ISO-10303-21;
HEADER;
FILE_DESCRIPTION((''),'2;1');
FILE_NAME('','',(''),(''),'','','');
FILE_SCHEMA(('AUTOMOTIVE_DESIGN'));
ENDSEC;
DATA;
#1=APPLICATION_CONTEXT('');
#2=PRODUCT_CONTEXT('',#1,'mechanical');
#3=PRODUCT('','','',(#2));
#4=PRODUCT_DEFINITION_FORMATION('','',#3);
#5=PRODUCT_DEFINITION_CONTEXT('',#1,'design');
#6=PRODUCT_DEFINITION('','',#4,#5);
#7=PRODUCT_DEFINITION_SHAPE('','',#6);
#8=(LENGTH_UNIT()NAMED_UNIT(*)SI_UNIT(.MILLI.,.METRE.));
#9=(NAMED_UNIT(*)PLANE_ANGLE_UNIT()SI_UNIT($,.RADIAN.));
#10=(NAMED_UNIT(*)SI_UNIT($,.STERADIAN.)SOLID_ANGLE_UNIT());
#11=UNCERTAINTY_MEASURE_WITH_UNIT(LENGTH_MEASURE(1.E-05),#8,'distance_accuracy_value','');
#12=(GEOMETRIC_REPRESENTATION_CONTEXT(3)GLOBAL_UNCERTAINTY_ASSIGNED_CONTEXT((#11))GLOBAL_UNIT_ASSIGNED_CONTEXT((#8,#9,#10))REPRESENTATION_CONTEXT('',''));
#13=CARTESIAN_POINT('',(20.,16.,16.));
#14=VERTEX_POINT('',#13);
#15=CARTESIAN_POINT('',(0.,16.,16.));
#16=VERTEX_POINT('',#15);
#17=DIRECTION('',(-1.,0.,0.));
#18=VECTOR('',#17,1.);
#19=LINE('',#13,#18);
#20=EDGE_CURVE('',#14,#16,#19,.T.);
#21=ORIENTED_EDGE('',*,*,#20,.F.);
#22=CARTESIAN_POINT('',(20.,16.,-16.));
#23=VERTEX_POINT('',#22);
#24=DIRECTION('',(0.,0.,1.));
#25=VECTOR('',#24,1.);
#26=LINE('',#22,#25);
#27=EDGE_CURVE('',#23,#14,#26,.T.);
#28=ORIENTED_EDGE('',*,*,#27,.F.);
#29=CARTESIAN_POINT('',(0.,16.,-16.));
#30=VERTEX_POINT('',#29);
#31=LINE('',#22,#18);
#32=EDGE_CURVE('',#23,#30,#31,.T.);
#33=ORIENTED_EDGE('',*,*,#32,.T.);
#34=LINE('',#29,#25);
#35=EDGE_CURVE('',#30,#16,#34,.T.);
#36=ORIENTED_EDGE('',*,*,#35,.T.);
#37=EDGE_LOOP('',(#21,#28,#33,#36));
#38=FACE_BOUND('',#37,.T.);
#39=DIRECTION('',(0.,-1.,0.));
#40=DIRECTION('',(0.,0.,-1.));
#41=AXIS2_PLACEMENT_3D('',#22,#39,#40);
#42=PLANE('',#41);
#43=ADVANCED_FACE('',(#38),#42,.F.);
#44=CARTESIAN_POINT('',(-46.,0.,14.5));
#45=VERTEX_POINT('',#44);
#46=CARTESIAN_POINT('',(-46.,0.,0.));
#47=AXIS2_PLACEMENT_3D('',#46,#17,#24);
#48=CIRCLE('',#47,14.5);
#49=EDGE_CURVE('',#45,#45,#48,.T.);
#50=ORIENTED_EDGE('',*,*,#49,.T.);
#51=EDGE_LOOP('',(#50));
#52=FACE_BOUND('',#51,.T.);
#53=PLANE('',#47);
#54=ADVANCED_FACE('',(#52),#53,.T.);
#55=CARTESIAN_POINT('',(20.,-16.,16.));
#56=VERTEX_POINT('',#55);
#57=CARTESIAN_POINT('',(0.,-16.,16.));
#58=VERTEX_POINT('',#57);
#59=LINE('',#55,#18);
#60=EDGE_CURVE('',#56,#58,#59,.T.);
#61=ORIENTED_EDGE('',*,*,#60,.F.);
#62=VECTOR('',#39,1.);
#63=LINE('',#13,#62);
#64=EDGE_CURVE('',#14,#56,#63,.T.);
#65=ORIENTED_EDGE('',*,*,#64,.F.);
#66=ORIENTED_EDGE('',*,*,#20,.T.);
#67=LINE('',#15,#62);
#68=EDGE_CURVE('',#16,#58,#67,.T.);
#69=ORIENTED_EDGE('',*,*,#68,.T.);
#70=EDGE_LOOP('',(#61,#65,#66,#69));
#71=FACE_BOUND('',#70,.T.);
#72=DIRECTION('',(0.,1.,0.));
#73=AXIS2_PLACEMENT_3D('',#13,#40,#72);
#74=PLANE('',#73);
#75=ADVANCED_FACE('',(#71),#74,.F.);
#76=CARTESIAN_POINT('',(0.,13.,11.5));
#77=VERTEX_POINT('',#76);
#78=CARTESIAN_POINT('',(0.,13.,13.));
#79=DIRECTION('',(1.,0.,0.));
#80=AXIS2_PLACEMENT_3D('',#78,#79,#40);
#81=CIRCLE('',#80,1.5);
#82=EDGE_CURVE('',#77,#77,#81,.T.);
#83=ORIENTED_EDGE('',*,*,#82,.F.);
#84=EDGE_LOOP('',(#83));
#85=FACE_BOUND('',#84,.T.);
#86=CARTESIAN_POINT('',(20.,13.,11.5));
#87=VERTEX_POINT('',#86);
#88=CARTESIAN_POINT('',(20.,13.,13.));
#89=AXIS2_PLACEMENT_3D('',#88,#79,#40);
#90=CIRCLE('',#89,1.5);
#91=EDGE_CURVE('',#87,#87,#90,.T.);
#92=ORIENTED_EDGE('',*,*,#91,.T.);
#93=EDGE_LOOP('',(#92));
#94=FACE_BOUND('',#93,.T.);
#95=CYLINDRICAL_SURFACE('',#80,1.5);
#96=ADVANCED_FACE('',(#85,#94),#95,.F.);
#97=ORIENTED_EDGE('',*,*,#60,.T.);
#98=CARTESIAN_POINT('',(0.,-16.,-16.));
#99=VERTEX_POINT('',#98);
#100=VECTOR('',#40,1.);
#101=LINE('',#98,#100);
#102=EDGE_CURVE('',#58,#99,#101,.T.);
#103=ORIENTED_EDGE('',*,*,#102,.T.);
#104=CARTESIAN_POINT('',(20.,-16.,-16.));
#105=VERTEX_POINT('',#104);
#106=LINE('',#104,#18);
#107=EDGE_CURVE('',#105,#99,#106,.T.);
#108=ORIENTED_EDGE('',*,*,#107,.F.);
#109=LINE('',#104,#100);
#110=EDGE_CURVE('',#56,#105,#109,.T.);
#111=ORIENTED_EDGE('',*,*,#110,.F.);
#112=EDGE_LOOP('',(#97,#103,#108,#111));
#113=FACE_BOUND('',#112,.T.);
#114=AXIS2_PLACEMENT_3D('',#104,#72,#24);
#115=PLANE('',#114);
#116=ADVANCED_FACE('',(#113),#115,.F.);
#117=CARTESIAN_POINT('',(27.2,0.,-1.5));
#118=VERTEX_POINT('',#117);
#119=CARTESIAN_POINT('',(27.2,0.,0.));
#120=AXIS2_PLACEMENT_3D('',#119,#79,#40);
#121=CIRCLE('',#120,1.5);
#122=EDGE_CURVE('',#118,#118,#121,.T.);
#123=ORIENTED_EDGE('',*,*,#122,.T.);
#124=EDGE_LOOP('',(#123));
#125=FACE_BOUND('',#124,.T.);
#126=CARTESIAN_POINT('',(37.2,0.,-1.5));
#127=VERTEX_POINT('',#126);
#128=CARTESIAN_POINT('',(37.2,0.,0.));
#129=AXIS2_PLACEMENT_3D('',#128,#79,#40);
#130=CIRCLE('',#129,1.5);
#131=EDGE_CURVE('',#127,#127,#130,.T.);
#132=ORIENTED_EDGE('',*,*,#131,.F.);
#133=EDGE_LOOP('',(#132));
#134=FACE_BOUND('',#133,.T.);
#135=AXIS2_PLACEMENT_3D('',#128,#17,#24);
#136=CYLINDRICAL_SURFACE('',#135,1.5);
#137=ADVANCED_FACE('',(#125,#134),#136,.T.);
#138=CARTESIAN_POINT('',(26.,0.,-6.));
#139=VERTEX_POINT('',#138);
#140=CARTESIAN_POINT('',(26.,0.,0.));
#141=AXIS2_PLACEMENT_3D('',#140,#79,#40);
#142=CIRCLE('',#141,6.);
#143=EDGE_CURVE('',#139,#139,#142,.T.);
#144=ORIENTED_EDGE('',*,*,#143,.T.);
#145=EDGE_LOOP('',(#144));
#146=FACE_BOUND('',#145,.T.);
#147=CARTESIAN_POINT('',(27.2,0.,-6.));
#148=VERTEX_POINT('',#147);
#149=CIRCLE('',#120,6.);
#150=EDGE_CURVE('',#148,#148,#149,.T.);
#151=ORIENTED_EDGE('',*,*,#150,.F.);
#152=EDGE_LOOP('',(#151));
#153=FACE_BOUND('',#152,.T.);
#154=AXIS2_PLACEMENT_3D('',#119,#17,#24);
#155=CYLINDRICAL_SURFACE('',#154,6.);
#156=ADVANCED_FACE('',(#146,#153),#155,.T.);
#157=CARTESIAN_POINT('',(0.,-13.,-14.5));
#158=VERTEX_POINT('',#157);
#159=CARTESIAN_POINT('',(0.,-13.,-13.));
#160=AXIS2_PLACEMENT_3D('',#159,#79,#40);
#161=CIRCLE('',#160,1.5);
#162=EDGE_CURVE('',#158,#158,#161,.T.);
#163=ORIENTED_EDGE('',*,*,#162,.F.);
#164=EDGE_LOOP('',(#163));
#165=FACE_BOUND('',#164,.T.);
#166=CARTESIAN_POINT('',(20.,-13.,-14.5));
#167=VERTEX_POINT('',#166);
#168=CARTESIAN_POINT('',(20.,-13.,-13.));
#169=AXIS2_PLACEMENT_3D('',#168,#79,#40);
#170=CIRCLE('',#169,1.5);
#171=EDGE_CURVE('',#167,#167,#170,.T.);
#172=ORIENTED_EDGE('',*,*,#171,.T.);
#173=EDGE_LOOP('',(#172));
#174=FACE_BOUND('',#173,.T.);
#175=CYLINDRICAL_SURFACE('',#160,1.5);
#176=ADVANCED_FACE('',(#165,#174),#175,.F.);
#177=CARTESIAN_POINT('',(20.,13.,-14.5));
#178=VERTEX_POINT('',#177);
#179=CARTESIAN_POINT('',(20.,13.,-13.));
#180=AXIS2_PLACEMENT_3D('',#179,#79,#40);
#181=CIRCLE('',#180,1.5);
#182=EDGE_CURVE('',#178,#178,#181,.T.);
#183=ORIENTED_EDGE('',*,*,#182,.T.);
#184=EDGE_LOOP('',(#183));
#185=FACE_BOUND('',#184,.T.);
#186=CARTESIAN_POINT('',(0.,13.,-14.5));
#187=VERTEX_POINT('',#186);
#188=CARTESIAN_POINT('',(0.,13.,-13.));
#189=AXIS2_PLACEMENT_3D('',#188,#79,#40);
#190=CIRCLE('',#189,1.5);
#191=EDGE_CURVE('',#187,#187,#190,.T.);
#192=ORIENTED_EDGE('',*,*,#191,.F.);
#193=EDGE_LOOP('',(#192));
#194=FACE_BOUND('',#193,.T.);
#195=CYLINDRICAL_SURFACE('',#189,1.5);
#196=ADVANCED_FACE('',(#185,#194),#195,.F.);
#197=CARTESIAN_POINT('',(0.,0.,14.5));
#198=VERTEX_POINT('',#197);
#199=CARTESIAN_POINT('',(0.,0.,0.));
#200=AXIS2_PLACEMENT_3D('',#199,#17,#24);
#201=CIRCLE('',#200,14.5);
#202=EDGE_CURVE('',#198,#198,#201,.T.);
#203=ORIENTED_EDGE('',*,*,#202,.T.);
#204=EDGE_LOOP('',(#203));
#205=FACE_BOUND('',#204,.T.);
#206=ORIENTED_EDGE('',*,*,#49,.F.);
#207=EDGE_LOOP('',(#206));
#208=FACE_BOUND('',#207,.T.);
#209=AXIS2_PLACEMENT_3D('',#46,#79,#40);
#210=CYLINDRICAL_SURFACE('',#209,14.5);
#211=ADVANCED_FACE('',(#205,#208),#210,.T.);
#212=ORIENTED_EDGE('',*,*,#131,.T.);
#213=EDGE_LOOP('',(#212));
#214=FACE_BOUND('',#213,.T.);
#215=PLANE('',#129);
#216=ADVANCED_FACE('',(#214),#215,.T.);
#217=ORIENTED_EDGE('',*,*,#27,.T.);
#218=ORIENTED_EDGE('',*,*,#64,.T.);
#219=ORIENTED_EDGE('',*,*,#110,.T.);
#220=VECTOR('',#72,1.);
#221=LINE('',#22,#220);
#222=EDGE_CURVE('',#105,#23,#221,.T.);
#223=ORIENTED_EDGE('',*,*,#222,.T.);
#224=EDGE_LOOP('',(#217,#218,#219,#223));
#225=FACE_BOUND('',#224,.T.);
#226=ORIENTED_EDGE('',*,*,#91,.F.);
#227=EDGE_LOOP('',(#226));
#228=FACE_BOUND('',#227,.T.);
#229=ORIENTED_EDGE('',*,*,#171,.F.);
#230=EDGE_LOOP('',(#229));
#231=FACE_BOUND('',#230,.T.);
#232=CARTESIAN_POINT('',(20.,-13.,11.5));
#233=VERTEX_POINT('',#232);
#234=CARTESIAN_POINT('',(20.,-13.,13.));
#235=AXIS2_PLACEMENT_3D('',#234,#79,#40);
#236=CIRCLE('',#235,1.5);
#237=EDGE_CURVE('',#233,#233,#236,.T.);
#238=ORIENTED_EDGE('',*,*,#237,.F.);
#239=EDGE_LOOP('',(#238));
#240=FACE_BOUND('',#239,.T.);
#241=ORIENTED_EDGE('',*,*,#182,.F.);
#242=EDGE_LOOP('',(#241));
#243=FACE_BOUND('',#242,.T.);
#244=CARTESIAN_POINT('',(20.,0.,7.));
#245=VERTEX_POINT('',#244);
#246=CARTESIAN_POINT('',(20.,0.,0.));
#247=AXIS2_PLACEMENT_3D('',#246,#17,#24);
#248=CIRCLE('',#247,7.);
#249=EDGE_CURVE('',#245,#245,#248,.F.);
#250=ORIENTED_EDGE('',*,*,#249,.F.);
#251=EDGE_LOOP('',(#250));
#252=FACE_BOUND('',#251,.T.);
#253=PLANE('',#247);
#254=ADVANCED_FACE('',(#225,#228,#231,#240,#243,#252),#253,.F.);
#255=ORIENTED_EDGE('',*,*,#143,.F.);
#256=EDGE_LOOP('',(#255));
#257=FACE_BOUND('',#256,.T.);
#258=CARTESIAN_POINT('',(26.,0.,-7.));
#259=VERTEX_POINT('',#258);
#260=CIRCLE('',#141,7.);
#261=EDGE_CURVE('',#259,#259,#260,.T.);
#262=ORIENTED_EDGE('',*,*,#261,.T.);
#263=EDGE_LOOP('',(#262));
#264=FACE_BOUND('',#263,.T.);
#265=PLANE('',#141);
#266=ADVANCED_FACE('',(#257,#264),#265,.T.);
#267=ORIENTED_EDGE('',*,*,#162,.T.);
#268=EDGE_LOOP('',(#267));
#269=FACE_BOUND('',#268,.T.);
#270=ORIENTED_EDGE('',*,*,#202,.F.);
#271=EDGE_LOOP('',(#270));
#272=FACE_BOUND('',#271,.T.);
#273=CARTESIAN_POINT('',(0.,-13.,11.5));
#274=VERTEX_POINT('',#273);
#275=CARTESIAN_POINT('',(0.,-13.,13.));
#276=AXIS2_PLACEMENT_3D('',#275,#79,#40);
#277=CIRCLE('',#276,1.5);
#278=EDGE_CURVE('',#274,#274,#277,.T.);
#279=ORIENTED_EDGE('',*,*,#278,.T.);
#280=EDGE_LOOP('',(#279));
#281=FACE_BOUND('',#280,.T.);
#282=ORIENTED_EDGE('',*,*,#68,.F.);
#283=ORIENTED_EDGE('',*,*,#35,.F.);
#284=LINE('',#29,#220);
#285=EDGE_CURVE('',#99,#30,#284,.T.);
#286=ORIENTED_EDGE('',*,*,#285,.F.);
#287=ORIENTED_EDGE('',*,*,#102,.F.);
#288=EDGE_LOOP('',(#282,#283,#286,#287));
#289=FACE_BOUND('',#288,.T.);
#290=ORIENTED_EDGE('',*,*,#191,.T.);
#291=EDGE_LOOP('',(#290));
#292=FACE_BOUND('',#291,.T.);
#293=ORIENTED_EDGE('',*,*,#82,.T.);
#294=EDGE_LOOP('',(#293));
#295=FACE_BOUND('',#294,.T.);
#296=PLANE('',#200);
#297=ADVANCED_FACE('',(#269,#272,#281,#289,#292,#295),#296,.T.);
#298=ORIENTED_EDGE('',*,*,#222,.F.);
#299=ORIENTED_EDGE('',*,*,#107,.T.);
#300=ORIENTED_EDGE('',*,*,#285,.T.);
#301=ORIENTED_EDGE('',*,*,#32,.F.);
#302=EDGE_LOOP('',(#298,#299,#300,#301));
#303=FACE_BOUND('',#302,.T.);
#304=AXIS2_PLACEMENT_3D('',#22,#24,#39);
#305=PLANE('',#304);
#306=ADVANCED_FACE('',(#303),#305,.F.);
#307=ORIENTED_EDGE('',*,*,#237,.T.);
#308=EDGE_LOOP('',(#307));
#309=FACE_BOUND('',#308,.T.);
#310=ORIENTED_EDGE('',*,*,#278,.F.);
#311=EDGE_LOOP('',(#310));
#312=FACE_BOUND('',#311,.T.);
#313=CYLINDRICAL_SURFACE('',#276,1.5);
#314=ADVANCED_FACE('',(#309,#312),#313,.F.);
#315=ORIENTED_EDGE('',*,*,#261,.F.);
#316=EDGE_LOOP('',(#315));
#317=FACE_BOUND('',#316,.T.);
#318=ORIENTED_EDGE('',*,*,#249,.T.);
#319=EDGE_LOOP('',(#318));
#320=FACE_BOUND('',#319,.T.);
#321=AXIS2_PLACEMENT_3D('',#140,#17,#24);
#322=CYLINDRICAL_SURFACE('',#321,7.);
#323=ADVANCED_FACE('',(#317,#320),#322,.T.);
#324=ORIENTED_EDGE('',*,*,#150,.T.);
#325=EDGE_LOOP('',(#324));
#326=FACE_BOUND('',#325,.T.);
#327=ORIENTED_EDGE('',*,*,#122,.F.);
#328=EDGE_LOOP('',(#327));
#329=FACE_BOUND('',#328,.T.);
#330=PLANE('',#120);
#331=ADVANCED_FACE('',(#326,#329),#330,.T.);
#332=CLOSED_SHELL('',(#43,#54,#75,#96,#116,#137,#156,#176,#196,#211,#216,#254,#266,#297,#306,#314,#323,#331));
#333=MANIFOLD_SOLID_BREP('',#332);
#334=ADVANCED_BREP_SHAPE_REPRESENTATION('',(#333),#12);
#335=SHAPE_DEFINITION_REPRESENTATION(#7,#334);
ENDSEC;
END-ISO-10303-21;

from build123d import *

# Parameters (mm, degrees)
SKETCH1_W           = 32
SKETCH1_H           = 32
BOSS_EXTRUDE2_DEPTH = 20
SKETCH2_R           = 14.5
BOSS_EXTRUDE3_DEPTH = 46
SKETCH3_R           = 7
BOSS_EXTRUDE4_DEPTH = 6
SKETCH6_R           = 6
BOSS_EXTRUDE5_DEPTH = 1.2
SKETCH7_R           = 1.5
BOSS_EXTRUDE6_DEPTH = 10
CUT_EXTRUDE5_DEPTH  = 20


with BuildPart() as part:
    # Sketch1 → Boss-Extrude2 (new body)
    with BuildSketch(Plane(origin=(0, 0, 0), x_dir=(0, 0, -1), z_dir=(1, 0, 0))):
        Rectangle(SKETCH1_W, SKETCH1_H)
    extrude(amount=BOSS_EXTRUDE2_DEPTH)

    # Sketch2 → Boss-Extrude3 (add)
    with BuildSketch(Plane.ZY):
        Circle(SKETCH2_R)
    extrude(amount=BOSS_EXTRUDE3_DEPTH)

    # Sketch3 → Boss-Extrude4 (add)
    with BuildSketch(Plane(origin=(20, 0, 0), x_dir=(0, 0, -1), z_dir=(1, 0, 0))):
        with Locations(Location((0, 0, 0), (0, 0, 180))):
            Circle(SKETCH3_R)
    extrude(amount=BOSS_EXTRUDE4_DEPTH)

    # Sketch6 → Boss-Extrude5 (add)
    with BuildSketch(Plane(origin=(26, 0, 0), x_dir=(0, 0, -1), z_dir=(1, 0, 0))):
        Circle(SKETCH6_R)
    extrude(amount=BOSS_EXTRUDE5_DEPTH)

    # Sketch7 → Boss-Extrude6 (add)
    with BuildSketch(Plane(origin=(27.2, 0, 0), x_dir=(0, 0, -1), z_dir=(1, 0, 0))):
        Circle(SKETCH7_R)
    extrude(amount=BOSS_EXTRUDE6_DEPTH)

    # Sketch8 → Cut-Extrude5 (cut)
    with BuildSketch(Plane(origin=(20, 0, 0), x_dir=(0, 0, -1), z_dir=(1, 0, 0))):
        with BuildLine():
            ThreePointArc((-14.5, -13), (-14.060660172, -14.060660172), (-13, -14.5))
            Line((-13, -14.5), (-13, -13))
            Line((-13, -13), (-14.5, -13))
        make_face()
        with BuildLine():
            Line((-13, -13), (-13, -14.5))
            ThreePointArc((-13, -14.5), (-11.939339828, -14.060660172), (-11.5, -13))
            ThreePointArc((-11.5, -13), (-13, -11.5), (-14.5, -13))
            Line((-14.5, -13), (-13, -13))
        make_face()
        with BuildLine():
            ThreePointArc((14.5, -13), (11.939339828, -11.939339828), (13, -14.5))
            Line((13, -14.5), (13, -13))
            Line((13, -13), (14.5, -13))
        make_face()
        with BuildLine():
            Line((13, -13), (13, -14.5))
            ThreePointArc((13, -14.5), (14.060660172, -14.060660172), (14.5, -13))
            Line((14.5, -13), (13, -13))
        make_face()
        with BuildLine():
            ThreePointArc((14.5, 13), (14.060660172, 14.060660172), (13, 14.5))
            Line((13, 14.5), (13, 13))
            Line((13, 13), (14.5, 13))
        make_face()
        with BuildLine():
            Line((13, 13), (13, 14.5))
            ThreePointArc((13, 14.5), (11.939339828, 11.939339828), (14.5, 13))
            Line((14.5, 13), (13, 13))
        make_face()
        with BuildLine():
            ThreePointArc((-11.5, 13), (-11.939339828, 14.060660172), (-13, 14.5))
            Line((-13, 14.5), (-13, 13))
            Line((-13, 13), (-14.5, 13))
            ThreePointArc((-14.5, 13), (-13, 11.5), (-11.5, 13))
        make_face()
        with BuildLine():
            Line((-13, 13), (-13, 14.5))
            ThreePointArc((-13, 14.5), (-14.060660172, 14.060660172), (-14.5, 13))
            Line((-14.5, 13), (-13, 13))
        make_face()
    extrude(amount=-CUT_EXTRUDE5_DEPTH, mode=Mode.SUBTRACT)


solid = part.part
